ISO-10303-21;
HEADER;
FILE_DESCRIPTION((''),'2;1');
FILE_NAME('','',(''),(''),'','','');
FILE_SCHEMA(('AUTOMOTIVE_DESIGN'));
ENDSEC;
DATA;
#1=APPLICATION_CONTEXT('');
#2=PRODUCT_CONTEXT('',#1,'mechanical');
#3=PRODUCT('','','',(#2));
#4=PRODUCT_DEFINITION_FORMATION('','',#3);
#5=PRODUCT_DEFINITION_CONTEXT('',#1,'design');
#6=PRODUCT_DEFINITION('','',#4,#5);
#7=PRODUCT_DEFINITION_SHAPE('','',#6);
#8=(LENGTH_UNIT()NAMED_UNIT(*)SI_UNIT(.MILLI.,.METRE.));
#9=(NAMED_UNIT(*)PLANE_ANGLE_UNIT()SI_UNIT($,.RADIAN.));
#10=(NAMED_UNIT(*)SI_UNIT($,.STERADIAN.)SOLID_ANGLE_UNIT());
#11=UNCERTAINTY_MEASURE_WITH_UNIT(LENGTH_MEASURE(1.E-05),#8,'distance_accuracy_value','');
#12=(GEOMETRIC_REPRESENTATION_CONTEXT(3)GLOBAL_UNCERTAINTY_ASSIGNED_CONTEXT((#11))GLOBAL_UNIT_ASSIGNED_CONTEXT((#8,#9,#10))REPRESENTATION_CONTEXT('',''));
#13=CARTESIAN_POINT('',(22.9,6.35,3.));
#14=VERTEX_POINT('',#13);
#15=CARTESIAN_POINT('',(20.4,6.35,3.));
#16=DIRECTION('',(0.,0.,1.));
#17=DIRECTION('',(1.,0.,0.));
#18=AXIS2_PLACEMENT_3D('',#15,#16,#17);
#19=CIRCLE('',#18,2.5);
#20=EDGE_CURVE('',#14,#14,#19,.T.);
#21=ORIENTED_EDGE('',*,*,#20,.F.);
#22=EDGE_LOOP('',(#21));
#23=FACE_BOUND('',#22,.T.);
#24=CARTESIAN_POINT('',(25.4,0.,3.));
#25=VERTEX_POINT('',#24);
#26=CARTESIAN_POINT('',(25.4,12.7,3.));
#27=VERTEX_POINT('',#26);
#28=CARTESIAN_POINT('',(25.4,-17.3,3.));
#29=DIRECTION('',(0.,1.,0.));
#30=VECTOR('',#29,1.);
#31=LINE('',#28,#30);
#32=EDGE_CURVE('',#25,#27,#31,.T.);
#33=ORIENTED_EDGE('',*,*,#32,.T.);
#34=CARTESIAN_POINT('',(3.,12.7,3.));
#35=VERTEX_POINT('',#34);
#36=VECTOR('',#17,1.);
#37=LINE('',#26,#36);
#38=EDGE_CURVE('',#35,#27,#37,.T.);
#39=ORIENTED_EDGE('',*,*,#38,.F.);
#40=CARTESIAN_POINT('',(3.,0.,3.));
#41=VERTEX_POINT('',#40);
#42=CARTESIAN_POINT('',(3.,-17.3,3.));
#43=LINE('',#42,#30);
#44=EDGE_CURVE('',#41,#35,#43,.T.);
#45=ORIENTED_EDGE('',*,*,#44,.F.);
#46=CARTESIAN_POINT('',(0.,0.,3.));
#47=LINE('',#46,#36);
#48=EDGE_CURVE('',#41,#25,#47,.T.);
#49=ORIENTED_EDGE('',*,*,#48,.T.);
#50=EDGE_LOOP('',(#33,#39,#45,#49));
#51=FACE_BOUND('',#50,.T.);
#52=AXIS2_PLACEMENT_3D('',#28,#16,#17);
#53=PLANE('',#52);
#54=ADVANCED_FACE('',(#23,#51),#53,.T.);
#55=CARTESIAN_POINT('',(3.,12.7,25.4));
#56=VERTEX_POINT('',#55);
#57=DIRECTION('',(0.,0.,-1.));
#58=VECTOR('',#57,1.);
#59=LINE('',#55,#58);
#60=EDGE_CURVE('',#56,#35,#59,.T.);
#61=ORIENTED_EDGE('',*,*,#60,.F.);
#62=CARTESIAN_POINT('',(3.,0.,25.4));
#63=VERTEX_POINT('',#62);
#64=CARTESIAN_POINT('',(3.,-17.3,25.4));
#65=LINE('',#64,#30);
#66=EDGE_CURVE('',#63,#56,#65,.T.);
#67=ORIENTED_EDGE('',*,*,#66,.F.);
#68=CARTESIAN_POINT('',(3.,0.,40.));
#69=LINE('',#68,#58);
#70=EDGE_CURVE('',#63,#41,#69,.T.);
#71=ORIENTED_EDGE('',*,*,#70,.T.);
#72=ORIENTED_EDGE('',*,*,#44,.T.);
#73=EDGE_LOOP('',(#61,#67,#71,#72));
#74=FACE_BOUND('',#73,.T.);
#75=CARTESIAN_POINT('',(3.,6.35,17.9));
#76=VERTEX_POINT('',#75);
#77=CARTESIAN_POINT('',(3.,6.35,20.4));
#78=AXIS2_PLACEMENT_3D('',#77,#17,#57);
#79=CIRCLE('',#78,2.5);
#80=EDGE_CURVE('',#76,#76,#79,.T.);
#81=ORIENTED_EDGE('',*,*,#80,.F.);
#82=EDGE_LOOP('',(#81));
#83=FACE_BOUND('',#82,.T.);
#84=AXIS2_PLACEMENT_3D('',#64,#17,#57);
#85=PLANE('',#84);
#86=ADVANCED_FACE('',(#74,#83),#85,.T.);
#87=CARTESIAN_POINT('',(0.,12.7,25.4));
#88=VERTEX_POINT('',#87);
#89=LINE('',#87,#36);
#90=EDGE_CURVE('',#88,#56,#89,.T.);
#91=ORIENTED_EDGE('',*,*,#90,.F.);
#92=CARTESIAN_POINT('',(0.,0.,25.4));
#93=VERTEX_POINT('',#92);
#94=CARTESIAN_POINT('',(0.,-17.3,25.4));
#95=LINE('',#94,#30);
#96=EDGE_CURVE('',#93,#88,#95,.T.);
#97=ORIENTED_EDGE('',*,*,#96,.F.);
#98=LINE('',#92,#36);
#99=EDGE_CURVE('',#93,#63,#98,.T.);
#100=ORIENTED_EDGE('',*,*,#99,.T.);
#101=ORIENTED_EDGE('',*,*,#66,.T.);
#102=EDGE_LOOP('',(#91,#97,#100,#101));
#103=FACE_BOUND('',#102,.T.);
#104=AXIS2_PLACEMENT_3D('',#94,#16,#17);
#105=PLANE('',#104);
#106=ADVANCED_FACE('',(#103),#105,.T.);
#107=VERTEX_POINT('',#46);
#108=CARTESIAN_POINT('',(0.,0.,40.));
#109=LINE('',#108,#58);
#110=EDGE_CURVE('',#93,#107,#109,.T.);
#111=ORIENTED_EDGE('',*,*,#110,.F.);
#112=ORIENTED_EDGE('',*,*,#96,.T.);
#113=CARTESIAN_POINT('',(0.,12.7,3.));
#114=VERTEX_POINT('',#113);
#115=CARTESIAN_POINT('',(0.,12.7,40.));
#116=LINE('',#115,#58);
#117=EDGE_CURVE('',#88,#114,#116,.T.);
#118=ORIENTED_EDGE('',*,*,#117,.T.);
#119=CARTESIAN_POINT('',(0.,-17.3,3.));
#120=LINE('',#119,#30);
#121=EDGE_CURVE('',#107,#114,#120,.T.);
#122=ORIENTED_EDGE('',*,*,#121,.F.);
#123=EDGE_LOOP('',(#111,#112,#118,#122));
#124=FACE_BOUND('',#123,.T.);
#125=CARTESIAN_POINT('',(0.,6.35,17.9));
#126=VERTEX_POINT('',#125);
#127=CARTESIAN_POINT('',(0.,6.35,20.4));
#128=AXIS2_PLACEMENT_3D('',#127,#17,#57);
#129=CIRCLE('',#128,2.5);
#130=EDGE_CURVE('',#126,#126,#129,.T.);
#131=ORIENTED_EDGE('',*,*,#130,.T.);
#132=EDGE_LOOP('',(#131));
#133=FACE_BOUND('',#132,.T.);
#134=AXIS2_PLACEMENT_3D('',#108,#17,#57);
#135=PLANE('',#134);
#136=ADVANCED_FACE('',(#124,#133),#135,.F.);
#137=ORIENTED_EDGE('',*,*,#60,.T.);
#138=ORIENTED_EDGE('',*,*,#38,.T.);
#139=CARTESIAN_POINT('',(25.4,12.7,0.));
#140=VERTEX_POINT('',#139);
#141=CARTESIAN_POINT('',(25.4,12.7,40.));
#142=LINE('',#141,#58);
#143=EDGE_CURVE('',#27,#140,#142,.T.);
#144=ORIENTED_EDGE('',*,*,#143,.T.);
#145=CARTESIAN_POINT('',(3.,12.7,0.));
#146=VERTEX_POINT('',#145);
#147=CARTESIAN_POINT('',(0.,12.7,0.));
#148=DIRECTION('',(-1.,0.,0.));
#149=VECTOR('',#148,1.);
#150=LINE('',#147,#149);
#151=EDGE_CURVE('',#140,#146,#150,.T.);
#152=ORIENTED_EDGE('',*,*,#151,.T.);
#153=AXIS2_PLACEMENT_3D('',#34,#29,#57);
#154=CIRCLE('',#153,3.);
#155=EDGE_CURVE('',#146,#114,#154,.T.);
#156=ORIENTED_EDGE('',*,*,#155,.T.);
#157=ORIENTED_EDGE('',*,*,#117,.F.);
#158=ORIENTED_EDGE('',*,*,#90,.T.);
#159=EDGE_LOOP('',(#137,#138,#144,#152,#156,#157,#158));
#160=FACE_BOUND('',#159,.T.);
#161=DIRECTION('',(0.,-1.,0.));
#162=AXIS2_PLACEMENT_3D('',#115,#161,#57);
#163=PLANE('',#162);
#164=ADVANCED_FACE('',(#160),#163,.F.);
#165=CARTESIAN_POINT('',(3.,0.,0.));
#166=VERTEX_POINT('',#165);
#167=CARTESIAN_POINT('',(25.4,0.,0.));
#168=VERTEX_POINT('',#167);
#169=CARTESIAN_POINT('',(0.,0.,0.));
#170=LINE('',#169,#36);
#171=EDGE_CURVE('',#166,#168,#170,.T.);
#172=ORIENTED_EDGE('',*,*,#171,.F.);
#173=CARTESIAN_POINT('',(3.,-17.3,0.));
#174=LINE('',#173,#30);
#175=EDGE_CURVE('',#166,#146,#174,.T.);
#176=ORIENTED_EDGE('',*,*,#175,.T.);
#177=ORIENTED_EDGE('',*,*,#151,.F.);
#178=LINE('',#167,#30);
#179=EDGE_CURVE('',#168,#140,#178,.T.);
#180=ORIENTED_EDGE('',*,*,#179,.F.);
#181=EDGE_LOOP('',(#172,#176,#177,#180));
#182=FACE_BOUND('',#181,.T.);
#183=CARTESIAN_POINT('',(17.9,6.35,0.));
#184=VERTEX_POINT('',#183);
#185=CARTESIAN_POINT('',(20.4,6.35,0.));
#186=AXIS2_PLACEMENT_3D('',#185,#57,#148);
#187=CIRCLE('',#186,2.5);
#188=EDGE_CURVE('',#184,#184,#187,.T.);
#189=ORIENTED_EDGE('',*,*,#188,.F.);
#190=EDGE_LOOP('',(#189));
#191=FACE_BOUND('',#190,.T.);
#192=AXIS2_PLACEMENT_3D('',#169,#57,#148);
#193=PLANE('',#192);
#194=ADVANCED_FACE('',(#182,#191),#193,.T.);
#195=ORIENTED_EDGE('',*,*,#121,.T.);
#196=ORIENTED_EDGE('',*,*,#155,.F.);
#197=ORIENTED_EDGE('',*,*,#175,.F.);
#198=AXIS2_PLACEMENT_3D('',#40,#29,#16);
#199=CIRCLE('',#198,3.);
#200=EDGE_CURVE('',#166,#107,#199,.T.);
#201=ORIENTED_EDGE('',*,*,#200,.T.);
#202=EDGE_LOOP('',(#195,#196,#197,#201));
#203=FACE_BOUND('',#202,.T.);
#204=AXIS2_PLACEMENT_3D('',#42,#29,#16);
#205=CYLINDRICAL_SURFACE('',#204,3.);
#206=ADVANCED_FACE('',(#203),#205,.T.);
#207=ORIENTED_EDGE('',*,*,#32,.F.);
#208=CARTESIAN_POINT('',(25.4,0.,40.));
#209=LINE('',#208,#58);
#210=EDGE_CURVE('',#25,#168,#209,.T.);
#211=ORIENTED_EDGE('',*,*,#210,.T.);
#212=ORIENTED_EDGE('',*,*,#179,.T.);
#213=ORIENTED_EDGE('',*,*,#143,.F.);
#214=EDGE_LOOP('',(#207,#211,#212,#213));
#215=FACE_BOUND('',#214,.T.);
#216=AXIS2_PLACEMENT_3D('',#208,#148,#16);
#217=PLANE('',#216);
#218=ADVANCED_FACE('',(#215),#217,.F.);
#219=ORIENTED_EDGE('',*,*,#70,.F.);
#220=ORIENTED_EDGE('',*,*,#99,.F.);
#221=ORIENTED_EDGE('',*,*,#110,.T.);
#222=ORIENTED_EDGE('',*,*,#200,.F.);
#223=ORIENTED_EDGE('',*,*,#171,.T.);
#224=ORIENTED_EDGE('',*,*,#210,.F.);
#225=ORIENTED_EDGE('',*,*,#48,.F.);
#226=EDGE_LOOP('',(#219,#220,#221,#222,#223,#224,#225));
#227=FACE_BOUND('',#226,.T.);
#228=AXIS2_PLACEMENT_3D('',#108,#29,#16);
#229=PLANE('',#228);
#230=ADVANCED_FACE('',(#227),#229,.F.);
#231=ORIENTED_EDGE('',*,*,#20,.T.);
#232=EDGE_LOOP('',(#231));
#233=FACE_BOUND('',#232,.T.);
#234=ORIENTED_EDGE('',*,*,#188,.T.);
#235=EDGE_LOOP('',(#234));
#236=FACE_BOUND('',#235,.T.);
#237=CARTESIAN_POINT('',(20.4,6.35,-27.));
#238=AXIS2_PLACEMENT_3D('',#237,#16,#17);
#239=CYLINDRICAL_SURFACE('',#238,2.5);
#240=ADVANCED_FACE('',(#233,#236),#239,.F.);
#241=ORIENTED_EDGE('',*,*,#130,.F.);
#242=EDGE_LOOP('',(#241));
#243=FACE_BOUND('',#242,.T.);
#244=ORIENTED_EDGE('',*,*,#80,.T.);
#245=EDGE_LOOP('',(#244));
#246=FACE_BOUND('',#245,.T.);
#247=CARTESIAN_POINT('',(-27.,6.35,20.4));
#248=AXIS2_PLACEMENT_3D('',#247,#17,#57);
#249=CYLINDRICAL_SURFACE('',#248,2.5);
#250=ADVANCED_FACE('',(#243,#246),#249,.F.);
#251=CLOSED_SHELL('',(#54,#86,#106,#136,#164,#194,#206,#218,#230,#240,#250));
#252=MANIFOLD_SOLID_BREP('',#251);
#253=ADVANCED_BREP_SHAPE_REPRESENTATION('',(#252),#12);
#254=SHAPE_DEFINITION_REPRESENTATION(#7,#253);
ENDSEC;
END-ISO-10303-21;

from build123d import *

# Parameters (mm, degrees)
CROQUIS1_W              = 25.4
CROQUIS1_H              = 12.7
SALIENTE_EXTRUIR1_DEPTH = 40
CROQUIS2_W              = 40.869814695
CROQUIS2_H              = 51.393723527
CORTAR_EXTRUIR1_DEPTH   = 30
CROQUIS3_R              = 2.5
CORTAR_EXTRUIR2_DEPTH   = 30
CROQUIS4_R              = 2.5
CORTAR_EXTRUIR3_DEPTH   = 30


with BuildPart() as part:
    # Croquis1 → Saliente-Extruir1 (new body)
    with BuildSketch(Plane.XY):
        with Locations((12.7, 6.35)):
            Rectangle(CROQUIS1_W, CROQUIS1_H)
    extrude(amount=SALIENTE_EXTRUIR1_DEPTH)

    # Croquis2 → Cortar-Extruir1 (cut)
    with BuildSketch(Plane(origin=(0, 12.7, 0), x_dir=(1, 0, 0), z_dir=(0, 1, 0))):
        with Locations((12.097003992, -18.212370052)):
            Rectangle(CROQUIS2_W, CROQUIS2_H)
        with BuildLine():
            Line((25.4, 0), (3, 0))
            ThreePointArc((3, 0), (0.878679656, -0.878679656), (0, -3))
            Line((0, -3), (0, -25.4))
            Line((0, -25.4), (3, -25.4))
            Line((3, -25.4), (3, -3))
            Line((3, -3), (25.4, -3))
            Line((25.4, -3), (25.4, 0))
        make_face(mode=Mode.SUBTRACT)
    extrude(amount=-CORTAR_EXTRUIR1_DEPTH, mode=Mode.SUBTRACT)

    # Croquis3 → Cortar-Extruir2 (cut)
    with BuildSketch(Plane(origin=(3, 0, 0), x_dir=(0, 0, -1), z_dir=(1, 0, 0))):
        with Locations((-20.4, 6.35)):
            Circle(CROQUIS3_R)
    extrude(amount=-CORTAR_EXTRUIR2_DEPTH, mode=Mode.SUBTRACT)

    # Croquis4 → Cortar-Extruir3 (cut)
    with BuildSketch(Plane.XY.offset(3)):
        with Locations((20.4, 6.35)):
            Circle(CROQUIS4_R)
    extrude(amount=-CORTAR_EXTRUIR3_DEPTH, mode=Mode.SUBTRACT)


solid = part.part
